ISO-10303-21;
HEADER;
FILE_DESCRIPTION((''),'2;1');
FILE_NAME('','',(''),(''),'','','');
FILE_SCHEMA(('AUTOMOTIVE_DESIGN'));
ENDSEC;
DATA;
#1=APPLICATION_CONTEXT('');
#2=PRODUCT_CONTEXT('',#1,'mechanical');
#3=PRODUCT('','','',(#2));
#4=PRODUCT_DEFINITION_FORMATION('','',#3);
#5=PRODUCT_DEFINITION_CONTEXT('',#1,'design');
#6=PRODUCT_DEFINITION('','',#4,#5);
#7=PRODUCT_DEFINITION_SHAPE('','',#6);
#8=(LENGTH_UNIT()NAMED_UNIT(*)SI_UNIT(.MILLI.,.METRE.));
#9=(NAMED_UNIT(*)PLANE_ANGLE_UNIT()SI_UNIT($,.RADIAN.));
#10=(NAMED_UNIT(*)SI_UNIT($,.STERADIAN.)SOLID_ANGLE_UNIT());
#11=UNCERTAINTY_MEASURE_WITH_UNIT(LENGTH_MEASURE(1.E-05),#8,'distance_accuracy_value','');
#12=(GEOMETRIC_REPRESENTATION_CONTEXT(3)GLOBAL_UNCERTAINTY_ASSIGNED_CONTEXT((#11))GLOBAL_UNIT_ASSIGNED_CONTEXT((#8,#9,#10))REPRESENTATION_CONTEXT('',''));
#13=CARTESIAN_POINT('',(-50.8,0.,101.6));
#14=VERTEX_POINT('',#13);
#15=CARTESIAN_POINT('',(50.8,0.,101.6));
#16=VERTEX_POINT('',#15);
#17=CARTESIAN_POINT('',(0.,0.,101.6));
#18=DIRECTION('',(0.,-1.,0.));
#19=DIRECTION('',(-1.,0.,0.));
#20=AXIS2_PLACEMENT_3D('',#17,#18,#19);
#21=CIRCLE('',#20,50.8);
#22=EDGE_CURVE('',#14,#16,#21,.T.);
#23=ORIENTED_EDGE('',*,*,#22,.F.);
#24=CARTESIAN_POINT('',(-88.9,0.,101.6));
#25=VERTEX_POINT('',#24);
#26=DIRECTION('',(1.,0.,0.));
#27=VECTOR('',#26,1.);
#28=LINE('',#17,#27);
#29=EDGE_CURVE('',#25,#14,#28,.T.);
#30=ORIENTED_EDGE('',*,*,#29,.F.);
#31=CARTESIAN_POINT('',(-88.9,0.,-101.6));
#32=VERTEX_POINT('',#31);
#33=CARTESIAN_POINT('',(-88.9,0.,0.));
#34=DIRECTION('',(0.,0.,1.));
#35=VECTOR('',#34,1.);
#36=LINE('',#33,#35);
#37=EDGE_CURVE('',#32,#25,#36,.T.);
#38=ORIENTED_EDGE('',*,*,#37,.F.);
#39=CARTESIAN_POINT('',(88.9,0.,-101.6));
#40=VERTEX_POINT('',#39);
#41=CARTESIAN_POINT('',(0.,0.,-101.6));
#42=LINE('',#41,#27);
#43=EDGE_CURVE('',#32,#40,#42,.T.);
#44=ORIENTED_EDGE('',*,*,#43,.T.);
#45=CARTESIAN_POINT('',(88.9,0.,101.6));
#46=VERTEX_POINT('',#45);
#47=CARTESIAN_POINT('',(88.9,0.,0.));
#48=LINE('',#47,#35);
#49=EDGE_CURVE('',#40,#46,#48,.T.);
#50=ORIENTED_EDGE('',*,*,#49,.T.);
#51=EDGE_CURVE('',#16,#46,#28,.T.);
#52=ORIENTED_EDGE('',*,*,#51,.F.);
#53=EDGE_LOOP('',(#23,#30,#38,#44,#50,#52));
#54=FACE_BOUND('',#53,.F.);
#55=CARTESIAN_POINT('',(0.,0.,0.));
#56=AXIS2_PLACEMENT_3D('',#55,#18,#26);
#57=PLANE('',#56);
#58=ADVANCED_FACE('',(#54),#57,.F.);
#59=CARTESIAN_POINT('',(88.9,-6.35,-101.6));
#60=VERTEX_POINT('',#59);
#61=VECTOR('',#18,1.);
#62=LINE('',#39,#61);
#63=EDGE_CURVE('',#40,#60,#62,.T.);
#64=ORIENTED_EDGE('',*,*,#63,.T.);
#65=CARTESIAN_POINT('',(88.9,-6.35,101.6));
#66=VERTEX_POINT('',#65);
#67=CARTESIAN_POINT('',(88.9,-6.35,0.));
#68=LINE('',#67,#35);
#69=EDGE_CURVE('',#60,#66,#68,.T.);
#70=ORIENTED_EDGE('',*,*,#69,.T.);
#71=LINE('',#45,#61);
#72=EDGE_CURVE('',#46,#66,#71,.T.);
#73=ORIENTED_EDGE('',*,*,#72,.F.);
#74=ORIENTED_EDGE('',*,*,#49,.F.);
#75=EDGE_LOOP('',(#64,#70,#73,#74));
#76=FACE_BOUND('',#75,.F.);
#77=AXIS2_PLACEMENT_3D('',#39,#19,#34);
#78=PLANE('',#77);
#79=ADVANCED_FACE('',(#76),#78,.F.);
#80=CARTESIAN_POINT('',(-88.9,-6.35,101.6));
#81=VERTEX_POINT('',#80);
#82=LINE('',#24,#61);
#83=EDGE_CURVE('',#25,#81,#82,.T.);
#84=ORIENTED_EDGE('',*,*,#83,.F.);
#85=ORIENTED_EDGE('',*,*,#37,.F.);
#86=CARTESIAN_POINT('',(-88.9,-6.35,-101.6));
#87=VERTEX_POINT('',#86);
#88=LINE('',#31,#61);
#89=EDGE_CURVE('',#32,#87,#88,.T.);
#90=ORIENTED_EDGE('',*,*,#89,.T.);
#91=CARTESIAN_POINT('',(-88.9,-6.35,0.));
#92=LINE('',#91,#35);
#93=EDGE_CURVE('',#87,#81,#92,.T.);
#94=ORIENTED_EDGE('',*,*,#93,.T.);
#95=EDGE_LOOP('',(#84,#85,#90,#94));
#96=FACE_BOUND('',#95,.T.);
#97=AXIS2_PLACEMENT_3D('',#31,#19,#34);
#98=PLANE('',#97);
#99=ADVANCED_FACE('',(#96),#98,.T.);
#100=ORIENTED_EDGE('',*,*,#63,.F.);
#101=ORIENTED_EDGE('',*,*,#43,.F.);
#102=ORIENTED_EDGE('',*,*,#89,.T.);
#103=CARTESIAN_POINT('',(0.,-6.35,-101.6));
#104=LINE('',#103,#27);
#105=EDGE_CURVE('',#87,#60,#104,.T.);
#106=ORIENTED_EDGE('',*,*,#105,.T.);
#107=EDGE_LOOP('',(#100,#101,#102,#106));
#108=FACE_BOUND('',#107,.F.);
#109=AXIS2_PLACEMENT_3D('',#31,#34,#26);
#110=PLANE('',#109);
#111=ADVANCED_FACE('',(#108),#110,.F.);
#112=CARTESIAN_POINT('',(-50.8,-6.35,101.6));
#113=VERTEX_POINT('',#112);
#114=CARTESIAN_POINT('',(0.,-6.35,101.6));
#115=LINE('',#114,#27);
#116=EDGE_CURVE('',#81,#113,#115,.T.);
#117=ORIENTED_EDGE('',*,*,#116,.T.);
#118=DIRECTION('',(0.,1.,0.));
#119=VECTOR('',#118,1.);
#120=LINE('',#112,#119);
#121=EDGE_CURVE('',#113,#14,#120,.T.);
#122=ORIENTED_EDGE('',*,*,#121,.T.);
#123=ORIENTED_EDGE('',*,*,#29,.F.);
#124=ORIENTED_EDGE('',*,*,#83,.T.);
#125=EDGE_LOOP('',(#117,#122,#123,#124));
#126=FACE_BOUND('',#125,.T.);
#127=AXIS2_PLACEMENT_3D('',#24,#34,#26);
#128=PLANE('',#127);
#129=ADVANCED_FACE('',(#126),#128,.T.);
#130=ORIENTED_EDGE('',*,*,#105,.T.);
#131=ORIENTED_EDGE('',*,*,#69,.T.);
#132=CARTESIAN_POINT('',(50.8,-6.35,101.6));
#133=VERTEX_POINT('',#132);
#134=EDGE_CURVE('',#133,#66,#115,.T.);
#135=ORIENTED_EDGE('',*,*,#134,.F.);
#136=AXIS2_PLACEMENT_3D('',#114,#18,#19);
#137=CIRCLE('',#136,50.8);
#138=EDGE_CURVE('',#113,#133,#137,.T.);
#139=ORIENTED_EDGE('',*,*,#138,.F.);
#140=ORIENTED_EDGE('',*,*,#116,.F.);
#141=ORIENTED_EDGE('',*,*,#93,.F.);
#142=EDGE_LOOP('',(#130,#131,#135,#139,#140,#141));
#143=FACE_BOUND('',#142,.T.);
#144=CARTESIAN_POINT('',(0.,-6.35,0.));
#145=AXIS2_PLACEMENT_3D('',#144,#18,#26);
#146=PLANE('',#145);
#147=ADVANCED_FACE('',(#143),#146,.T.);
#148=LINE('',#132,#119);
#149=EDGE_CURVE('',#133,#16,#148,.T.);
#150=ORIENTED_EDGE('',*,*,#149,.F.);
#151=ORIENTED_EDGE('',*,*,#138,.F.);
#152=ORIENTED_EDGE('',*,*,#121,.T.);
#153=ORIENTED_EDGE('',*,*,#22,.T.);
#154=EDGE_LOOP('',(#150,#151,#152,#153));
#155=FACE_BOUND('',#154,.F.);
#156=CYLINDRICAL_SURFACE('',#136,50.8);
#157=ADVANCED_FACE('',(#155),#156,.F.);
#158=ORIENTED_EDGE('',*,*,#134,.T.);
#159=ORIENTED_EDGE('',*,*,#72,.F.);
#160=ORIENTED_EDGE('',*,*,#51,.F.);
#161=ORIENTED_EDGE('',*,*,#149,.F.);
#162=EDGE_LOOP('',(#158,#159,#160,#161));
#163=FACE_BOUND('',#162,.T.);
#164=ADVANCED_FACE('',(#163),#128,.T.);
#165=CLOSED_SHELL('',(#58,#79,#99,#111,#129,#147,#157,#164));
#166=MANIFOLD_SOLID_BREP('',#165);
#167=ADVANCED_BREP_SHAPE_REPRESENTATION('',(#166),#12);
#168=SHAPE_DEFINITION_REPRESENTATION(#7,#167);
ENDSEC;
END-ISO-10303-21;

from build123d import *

# Parameters (mm, degrees)
F0_W     = 177.8
F0_H     = 203.2
F1_DEPTH = 6.35
F3_DEPTH = 6.351


with BuildPart() as f1:
    # F0 (on Front) → F1 (new body)
    with BuildSketch(Plane.XZ):
        Rectangle(F0_W, F0_H)
    extrude(amount=F1_DEPTH)

    # F2 (on face) → F3 (cut, through all)
    with BuildSketch(Plane.XZ.offset(6.35)):
        with BuildLine():
            Line((50.8, 101.6), (-50.8, 101.6))
            ThreePointArc((-50.8, 101.6), (0, 50.8), (50.8, 101.6))
        make_face()
    extrude(amount=-F3_DEPTH, mode=Mode.SUBTRACT)


solid = f1.part
